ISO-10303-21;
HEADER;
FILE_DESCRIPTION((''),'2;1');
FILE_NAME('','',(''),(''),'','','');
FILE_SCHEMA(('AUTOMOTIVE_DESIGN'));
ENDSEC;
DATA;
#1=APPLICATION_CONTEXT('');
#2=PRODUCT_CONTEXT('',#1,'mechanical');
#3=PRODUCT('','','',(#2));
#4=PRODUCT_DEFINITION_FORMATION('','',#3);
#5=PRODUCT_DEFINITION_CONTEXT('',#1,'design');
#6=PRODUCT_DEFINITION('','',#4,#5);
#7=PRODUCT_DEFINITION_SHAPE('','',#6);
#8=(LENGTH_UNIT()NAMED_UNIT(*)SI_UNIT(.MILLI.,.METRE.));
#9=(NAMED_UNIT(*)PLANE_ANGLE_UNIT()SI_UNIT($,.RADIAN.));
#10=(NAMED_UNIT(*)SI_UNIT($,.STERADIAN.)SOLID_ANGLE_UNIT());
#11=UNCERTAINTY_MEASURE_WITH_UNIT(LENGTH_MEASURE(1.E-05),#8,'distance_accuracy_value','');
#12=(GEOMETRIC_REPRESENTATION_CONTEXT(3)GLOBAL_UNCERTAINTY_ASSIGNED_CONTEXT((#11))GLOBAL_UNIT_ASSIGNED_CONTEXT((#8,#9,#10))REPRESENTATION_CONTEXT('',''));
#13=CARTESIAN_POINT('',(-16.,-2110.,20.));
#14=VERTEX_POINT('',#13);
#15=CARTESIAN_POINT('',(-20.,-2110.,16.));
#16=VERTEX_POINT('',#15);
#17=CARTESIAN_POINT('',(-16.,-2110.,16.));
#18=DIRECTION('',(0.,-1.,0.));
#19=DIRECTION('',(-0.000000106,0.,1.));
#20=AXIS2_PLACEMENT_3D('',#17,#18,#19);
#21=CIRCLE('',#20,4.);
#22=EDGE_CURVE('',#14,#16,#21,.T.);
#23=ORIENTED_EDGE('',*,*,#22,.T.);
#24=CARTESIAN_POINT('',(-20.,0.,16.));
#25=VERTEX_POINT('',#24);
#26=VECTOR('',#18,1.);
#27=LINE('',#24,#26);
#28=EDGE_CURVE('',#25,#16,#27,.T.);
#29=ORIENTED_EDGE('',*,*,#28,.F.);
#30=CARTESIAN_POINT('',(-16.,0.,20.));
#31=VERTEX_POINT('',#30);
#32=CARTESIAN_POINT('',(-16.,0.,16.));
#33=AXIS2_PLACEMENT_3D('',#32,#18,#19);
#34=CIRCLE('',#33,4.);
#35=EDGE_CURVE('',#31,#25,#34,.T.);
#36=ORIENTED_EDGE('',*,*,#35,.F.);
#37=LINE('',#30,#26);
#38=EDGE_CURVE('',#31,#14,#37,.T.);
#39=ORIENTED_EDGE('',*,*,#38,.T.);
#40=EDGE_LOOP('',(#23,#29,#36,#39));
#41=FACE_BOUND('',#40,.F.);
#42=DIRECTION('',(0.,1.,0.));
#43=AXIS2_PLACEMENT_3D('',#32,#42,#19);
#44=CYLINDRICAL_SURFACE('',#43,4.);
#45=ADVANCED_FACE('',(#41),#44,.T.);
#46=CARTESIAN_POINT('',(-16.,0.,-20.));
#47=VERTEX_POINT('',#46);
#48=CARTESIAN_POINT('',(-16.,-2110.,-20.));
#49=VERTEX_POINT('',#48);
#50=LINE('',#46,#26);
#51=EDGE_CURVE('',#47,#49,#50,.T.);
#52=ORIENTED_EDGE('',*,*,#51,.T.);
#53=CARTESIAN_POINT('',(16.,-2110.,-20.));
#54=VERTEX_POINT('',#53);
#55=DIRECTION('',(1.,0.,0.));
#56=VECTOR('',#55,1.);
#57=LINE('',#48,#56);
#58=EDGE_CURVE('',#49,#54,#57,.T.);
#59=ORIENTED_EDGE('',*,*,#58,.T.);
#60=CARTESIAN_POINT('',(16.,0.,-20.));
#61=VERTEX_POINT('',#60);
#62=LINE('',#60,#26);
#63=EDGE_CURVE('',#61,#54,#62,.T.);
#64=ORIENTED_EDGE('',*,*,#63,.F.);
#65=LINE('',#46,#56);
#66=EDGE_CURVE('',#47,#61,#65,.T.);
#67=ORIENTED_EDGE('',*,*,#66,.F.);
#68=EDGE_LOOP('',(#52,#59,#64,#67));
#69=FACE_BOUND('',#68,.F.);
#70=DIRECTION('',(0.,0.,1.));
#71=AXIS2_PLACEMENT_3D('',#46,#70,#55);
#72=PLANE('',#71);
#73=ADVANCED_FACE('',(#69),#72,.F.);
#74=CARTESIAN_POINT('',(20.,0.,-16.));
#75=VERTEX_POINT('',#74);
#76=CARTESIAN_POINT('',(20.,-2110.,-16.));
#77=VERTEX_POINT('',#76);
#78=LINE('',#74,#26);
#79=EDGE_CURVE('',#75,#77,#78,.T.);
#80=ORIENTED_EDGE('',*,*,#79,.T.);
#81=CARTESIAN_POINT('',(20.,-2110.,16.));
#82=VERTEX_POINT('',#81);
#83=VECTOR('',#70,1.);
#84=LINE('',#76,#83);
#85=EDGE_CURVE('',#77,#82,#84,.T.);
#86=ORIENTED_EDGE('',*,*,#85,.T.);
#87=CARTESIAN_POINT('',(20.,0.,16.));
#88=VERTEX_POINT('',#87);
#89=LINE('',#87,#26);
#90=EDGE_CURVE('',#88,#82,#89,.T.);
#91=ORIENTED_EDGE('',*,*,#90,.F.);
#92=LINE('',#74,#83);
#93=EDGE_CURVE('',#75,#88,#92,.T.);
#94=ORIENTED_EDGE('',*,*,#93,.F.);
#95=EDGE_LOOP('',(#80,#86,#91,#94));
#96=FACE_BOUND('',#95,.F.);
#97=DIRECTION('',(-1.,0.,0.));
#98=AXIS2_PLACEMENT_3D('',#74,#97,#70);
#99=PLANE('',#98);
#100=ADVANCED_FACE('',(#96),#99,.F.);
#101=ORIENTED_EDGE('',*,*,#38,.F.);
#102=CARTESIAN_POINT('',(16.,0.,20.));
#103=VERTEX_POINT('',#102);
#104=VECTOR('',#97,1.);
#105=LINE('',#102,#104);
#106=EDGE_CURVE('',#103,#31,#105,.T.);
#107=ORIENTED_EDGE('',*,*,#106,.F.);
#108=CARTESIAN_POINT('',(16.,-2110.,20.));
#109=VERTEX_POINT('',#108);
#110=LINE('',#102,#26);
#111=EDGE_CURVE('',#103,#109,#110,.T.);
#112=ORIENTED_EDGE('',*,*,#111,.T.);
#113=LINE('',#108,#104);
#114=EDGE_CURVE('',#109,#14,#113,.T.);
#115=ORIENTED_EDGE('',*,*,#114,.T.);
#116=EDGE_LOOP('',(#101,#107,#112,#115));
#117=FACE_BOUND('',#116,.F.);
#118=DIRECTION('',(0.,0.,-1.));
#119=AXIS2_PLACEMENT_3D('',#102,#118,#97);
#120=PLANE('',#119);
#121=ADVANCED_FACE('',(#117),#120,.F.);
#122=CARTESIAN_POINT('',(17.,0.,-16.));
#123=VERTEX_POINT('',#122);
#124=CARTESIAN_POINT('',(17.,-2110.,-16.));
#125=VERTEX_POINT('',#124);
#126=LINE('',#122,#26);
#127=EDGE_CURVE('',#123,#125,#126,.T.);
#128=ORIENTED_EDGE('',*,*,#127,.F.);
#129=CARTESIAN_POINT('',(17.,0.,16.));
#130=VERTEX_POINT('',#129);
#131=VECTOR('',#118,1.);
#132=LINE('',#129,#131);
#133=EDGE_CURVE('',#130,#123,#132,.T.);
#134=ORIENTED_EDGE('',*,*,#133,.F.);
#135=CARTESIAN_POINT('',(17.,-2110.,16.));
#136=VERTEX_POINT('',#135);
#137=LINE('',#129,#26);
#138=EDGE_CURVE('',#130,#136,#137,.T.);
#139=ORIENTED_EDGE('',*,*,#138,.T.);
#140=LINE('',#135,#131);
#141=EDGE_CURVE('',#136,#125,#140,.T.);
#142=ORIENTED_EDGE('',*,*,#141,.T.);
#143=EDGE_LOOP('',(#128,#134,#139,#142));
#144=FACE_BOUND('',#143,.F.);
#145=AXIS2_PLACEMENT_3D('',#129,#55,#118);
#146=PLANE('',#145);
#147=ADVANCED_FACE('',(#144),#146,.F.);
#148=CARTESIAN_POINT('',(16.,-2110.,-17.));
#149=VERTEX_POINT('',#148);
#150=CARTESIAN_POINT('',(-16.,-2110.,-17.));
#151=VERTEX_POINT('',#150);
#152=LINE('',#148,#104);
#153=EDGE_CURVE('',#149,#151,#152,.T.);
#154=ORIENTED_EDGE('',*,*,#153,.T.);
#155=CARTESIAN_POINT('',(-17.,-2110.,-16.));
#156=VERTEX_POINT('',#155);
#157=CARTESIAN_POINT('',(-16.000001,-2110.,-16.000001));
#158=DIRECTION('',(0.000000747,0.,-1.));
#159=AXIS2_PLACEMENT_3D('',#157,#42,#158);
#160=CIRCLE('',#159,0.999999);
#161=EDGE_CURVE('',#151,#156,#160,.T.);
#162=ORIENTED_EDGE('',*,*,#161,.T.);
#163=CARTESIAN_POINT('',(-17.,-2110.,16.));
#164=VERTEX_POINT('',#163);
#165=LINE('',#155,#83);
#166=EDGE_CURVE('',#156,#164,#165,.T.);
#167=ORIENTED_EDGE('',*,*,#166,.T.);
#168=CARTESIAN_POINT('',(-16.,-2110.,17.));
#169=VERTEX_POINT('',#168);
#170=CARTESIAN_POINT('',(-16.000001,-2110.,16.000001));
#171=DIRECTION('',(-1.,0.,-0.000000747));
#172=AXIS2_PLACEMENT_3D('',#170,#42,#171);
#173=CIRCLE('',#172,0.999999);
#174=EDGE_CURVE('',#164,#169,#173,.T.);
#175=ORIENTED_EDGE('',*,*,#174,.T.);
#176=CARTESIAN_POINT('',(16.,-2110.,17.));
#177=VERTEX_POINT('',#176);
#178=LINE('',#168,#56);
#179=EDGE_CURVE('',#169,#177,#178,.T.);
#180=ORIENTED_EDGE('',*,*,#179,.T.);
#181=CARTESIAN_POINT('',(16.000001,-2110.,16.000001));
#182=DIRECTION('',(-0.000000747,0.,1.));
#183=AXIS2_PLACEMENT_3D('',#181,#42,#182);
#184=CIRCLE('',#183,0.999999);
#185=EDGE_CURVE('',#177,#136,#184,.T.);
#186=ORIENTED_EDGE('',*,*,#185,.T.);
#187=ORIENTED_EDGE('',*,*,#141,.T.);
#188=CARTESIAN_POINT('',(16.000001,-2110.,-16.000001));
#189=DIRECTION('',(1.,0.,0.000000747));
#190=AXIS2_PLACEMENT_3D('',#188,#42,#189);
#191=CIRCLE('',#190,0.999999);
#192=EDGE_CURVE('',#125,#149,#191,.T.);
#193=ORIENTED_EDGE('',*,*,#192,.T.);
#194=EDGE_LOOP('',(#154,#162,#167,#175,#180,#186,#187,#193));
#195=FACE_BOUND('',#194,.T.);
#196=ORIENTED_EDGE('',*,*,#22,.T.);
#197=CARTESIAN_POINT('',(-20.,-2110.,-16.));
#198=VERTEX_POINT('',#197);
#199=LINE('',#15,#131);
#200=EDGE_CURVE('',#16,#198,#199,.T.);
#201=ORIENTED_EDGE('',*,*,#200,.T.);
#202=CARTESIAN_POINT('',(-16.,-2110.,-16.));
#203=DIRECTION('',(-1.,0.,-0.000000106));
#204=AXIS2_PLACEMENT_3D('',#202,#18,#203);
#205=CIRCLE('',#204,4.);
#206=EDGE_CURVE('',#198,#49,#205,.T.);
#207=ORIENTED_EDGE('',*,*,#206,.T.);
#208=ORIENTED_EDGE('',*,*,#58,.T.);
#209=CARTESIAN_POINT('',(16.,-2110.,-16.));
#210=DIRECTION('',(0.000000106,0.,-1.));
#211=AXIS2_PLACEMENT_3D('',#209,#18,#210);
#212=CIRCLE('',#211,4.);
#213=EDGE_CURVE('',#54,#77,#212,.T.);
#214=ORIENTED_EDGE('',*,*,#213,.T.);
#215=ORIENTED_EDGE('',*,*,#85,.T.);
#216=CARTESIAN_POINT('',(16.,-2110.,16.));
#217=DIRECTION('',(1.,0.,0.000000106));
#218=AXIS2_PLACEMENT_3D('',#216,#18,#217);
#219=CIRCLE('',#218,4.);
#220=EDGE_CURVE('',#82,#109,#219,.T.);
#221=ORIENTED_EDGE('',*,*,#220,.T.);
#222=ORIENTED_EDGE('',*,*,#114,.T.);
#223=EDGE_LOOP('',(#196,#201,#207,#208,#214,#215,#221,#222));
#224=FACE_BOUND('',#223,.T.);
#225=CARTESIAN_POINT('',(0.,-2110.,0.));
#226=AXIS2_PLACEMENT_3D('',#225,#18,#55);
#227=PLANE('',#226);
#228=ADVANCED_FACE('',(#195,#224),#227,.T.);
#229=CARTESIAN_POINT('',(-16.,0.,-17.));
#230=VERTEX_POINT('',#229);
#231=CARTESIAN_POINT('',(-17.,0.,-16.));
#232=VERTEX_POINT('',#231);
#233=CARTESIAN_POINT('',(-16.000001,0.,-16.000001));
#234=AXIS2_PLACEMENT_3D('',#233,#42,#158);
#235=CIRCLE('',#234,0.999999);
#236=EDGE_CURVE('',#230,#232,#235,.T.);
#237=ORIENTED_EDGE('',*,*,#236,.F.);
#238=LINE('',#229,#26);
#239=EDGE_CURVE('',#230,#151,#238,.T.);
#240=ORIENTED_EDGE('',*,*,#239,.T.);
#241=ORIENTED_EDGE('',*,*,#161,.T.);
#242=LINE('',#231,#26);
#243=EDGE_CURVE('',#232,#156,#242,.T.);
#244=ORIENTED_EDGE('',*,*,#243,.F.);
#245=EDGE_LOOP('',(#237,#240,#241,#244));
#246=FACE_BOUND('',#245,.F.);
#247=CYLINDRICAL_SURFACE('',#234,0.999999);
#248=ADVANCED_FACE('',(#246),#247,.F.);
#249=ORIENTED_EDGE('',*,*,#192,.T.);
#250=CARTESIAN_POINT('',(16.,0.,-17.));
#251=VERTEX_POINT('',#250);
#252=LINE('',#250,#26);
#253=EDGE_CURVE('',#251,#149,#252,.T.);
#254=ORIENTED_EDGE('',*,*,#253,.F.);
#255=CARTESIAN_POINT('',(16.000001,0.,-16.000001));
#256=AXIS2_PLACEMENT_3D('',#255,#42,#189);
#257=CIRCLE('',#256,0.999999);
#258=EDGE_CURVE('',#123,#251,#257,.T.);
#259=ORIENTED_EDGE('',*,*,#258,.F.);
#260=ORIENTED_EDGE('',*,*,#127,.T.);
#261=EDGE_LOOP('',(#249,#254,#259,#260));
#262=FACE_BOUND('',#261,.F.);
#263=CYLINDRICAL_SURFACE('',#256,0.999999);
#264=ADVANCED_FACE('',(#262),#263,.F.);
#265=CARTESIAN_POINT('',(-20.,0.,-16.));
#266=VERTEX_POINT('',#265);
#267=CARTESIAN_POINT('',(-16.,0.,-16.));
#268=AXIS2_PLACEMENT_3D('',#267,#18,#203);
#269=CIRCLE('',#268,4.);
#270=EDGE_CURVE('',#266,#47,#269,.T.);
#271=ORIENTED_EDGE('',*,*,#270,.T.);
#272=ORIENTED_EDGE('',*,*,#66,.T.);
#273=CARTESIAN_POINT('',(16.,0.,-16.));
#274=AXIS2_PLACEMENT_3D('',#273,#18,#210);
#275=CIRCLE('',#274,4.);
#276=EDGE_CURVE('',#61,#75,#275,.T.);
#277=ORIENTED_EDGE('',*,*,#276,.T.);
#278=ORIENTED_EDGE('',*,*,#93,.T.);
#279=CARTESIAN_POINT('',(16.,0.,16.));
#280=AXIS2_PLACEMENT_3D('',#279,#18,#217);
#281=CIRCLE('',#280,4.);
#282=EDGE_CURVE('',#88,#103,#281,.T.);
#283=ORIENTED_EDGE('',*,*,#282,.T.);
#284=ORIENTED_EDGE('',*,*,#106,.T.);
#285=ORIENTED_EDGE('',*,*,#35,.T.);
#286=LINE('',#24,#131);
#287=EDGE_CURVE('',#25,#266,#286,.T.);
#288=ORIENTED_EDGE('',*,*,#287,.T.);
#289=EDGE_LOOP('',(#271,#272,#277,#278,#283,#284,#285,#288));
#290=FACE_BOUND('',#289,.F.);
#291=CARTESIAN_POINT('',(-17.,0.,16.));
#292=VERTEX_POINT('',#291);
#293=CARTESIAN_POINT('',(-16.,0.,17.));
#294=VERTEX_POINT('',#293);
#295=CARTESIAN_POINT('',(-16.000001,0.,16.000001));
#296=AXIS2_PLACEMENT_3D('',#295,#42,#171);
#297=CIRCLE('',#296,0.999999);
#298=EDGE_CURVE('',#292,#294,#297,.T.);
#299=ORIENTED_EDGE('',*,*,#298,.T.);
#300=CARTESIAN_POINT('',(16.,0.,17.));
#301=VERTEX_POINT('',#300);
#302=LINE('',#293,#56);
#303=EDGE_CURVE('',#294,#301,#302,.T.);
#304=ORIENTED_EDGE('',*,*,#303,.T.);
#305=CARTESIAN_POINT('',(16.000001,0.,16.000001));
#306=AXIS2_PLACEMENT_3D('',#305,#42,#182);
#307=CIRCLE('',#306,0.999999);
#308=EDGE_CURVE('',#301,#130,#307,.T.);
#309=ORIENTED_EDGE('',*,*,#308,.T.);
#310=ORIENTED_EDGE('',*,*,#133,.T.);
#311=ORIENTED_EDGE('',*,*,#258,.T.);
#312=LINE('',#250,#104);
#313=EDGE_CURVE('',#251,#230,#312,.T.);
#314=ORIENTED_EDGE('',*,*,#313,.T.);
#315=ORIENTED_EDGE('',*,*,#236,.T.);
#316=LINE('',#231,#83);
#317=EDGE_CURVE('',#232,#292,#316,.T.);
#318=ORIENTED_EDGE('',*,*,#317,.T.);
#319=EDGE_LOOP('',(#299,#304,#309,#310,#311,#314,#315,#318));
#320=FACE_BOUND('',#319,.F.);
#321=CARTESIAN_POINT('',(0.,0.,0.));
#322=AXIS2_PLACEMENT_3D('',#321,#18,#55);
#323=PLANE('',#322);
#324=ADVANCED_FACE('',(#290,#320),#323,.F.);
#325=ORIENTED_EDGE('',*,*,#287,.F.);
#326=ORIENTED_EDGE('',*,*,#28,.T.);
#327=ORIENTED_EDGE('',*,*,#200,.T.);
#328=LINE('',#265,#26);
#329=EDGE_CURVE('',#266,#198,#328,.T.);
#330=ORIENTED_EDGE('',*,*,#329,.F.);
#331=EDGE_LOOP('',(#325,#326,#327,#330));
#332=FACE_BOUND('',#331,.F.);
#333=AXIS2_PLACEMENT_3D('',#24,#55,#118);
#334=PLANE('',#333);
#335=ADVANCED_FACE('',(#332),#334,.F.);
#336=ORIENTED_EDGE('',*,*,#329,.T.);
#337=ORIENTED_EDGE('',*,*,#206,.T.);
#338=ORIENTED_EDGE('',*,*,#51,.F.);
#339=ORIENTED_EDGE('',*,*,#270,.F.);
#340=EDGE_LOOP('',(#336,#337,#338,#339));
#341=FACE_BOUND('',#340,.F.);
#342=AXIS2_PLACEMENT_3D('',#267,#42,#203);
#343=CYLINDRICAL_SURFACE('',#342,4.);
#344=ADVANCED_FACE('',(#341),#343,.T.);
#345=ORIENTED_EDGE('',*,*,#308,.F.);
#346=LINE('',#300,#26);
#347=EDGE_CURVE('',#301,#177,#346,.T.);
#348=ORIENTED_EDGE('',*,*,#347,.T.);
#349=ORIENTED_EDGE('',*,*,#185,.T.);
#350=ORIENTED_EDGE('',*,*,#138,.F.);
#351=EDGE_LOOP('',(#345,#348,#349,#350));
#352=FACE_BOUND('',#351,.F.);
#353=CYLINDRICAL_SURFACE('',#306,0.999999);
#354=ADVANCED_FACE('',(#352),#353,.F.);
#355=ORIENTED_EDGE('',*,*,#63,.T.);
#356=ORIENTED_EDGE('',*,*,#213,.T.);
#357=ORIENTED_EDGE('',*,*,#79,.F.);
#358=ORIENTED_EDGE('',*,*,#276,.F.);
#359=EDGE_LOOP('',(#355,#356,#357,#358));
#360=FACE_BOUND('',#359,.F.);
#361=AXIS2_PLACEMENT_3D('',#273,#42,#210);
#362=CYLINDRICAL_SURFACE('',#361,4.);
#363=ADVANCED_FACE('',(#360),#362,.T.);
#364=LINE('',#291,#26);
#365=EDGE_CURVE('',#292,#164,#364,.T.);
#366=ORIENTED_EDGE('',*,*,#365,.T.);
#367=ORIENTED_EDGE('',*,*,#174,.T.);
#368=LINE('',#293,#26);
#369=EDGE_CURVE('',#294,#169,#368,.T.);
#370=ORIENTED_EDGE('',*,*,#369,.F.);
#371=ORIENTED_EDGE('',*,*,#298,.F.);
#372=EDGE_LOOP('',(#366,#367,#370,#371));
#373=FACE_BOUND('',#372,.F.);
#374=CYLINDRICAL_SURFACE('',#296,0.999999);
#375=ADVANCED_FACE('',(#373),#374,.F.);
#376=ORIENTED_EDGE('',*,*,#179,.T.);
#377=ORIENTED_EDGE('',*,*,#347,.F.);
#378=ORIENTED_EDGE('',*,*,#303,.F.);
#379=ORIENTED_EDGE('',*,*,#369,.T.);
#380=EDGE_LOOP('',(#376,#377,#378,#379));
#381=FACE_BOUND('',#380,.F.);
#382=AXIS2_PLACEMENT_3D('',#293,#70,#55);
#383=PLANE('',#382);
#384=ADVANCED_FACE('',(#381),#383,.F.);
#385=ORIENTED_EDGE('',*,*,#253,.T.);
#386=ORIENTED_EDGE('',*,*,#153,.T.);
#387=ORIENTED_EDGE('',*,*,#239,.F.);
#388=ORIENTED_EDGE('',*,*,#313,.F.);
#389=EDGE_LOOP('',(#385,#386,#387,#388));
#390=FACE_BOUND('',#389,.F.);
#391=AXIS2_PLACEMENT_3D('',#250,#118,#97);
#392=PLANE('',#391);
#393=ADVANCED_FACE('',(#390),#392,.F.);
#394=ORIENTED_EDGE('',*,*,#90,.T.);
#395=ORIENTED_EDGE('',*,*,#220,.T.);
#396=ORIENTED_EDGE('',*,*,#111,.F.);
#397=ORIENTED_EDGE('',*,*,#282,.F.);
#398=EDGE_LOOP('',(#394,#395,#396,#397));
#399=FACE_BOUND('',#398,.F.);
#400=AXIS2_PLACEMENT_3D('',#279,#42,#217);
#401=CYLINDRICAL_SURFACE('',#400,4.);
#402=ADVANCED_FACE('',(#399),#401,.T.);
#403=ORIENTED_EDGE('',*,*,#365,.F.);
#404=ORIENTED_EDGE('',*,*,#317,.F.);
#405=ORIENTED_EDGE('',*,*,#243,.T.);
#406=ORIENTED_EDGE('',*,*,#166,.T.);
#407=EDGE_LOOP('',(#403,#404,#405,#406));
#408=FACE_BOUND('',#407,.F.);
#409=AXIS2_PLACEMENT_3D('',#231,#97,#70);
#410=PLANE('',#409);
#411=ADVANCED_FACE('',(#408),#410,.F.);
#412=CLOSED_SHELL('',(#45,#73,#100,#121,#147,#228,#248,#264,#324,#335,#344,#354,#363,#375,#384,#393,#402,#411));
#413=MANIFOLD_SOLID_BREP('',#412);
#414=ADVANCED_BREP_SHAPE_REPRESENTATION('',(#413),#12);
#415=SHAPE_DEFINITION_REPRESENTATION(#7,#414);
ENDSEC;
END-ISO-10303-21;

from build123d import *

# Parameters (mm, degrees)
F1_DEPTH = 2110


with BuildPart() as f1:
    # F0 (on Front) → F1 (new body)
    with BuildSketch(Plane.XZ):
        with BuildLine():
            ThreePointArc((20, 16), (18.828427, 18.828427), (16, 20))
            Line((16, 20), (-16, 20))
            ThreePointArc((-16, 20), (-18.828427, 18.828427), (-20, 16))
            Line((-20, 16), (-20, -16))
            ThreePointArc((-20, -16), (-18.828427, -18.828427), (-16, -20))
            Line((-16, -20), (16, -20))
            ThreePointArc((16, -20), (18.828427, -18.828427), (20, -16))
            Line((20, -16), (20, 16))
        make_face()
        with BuildLine():
            Line((-16, 17), (16, 17))
            ThreePointArc((16, 17), (16.707107, 16.707107), (17, 16))
            Line((17, 16), (17, -16))
            ThreePointArc((17, -16), (16.707107, -16.707107), (16, -17))
            Line((16, -17), (-16, -17))
            ThreePointArc((-16, -17), (-16.707107, -16.707107), (-17, -16))
            Line((-17, -16), (-17, 16))
            ThreePointArc((-17, 16), (-16.707107, 16.707107), (-16, 17))
        make_face(mode=Mode.SUBTRACT)
    extrude(amount=F1_DEPTH)


solid = f1.part
